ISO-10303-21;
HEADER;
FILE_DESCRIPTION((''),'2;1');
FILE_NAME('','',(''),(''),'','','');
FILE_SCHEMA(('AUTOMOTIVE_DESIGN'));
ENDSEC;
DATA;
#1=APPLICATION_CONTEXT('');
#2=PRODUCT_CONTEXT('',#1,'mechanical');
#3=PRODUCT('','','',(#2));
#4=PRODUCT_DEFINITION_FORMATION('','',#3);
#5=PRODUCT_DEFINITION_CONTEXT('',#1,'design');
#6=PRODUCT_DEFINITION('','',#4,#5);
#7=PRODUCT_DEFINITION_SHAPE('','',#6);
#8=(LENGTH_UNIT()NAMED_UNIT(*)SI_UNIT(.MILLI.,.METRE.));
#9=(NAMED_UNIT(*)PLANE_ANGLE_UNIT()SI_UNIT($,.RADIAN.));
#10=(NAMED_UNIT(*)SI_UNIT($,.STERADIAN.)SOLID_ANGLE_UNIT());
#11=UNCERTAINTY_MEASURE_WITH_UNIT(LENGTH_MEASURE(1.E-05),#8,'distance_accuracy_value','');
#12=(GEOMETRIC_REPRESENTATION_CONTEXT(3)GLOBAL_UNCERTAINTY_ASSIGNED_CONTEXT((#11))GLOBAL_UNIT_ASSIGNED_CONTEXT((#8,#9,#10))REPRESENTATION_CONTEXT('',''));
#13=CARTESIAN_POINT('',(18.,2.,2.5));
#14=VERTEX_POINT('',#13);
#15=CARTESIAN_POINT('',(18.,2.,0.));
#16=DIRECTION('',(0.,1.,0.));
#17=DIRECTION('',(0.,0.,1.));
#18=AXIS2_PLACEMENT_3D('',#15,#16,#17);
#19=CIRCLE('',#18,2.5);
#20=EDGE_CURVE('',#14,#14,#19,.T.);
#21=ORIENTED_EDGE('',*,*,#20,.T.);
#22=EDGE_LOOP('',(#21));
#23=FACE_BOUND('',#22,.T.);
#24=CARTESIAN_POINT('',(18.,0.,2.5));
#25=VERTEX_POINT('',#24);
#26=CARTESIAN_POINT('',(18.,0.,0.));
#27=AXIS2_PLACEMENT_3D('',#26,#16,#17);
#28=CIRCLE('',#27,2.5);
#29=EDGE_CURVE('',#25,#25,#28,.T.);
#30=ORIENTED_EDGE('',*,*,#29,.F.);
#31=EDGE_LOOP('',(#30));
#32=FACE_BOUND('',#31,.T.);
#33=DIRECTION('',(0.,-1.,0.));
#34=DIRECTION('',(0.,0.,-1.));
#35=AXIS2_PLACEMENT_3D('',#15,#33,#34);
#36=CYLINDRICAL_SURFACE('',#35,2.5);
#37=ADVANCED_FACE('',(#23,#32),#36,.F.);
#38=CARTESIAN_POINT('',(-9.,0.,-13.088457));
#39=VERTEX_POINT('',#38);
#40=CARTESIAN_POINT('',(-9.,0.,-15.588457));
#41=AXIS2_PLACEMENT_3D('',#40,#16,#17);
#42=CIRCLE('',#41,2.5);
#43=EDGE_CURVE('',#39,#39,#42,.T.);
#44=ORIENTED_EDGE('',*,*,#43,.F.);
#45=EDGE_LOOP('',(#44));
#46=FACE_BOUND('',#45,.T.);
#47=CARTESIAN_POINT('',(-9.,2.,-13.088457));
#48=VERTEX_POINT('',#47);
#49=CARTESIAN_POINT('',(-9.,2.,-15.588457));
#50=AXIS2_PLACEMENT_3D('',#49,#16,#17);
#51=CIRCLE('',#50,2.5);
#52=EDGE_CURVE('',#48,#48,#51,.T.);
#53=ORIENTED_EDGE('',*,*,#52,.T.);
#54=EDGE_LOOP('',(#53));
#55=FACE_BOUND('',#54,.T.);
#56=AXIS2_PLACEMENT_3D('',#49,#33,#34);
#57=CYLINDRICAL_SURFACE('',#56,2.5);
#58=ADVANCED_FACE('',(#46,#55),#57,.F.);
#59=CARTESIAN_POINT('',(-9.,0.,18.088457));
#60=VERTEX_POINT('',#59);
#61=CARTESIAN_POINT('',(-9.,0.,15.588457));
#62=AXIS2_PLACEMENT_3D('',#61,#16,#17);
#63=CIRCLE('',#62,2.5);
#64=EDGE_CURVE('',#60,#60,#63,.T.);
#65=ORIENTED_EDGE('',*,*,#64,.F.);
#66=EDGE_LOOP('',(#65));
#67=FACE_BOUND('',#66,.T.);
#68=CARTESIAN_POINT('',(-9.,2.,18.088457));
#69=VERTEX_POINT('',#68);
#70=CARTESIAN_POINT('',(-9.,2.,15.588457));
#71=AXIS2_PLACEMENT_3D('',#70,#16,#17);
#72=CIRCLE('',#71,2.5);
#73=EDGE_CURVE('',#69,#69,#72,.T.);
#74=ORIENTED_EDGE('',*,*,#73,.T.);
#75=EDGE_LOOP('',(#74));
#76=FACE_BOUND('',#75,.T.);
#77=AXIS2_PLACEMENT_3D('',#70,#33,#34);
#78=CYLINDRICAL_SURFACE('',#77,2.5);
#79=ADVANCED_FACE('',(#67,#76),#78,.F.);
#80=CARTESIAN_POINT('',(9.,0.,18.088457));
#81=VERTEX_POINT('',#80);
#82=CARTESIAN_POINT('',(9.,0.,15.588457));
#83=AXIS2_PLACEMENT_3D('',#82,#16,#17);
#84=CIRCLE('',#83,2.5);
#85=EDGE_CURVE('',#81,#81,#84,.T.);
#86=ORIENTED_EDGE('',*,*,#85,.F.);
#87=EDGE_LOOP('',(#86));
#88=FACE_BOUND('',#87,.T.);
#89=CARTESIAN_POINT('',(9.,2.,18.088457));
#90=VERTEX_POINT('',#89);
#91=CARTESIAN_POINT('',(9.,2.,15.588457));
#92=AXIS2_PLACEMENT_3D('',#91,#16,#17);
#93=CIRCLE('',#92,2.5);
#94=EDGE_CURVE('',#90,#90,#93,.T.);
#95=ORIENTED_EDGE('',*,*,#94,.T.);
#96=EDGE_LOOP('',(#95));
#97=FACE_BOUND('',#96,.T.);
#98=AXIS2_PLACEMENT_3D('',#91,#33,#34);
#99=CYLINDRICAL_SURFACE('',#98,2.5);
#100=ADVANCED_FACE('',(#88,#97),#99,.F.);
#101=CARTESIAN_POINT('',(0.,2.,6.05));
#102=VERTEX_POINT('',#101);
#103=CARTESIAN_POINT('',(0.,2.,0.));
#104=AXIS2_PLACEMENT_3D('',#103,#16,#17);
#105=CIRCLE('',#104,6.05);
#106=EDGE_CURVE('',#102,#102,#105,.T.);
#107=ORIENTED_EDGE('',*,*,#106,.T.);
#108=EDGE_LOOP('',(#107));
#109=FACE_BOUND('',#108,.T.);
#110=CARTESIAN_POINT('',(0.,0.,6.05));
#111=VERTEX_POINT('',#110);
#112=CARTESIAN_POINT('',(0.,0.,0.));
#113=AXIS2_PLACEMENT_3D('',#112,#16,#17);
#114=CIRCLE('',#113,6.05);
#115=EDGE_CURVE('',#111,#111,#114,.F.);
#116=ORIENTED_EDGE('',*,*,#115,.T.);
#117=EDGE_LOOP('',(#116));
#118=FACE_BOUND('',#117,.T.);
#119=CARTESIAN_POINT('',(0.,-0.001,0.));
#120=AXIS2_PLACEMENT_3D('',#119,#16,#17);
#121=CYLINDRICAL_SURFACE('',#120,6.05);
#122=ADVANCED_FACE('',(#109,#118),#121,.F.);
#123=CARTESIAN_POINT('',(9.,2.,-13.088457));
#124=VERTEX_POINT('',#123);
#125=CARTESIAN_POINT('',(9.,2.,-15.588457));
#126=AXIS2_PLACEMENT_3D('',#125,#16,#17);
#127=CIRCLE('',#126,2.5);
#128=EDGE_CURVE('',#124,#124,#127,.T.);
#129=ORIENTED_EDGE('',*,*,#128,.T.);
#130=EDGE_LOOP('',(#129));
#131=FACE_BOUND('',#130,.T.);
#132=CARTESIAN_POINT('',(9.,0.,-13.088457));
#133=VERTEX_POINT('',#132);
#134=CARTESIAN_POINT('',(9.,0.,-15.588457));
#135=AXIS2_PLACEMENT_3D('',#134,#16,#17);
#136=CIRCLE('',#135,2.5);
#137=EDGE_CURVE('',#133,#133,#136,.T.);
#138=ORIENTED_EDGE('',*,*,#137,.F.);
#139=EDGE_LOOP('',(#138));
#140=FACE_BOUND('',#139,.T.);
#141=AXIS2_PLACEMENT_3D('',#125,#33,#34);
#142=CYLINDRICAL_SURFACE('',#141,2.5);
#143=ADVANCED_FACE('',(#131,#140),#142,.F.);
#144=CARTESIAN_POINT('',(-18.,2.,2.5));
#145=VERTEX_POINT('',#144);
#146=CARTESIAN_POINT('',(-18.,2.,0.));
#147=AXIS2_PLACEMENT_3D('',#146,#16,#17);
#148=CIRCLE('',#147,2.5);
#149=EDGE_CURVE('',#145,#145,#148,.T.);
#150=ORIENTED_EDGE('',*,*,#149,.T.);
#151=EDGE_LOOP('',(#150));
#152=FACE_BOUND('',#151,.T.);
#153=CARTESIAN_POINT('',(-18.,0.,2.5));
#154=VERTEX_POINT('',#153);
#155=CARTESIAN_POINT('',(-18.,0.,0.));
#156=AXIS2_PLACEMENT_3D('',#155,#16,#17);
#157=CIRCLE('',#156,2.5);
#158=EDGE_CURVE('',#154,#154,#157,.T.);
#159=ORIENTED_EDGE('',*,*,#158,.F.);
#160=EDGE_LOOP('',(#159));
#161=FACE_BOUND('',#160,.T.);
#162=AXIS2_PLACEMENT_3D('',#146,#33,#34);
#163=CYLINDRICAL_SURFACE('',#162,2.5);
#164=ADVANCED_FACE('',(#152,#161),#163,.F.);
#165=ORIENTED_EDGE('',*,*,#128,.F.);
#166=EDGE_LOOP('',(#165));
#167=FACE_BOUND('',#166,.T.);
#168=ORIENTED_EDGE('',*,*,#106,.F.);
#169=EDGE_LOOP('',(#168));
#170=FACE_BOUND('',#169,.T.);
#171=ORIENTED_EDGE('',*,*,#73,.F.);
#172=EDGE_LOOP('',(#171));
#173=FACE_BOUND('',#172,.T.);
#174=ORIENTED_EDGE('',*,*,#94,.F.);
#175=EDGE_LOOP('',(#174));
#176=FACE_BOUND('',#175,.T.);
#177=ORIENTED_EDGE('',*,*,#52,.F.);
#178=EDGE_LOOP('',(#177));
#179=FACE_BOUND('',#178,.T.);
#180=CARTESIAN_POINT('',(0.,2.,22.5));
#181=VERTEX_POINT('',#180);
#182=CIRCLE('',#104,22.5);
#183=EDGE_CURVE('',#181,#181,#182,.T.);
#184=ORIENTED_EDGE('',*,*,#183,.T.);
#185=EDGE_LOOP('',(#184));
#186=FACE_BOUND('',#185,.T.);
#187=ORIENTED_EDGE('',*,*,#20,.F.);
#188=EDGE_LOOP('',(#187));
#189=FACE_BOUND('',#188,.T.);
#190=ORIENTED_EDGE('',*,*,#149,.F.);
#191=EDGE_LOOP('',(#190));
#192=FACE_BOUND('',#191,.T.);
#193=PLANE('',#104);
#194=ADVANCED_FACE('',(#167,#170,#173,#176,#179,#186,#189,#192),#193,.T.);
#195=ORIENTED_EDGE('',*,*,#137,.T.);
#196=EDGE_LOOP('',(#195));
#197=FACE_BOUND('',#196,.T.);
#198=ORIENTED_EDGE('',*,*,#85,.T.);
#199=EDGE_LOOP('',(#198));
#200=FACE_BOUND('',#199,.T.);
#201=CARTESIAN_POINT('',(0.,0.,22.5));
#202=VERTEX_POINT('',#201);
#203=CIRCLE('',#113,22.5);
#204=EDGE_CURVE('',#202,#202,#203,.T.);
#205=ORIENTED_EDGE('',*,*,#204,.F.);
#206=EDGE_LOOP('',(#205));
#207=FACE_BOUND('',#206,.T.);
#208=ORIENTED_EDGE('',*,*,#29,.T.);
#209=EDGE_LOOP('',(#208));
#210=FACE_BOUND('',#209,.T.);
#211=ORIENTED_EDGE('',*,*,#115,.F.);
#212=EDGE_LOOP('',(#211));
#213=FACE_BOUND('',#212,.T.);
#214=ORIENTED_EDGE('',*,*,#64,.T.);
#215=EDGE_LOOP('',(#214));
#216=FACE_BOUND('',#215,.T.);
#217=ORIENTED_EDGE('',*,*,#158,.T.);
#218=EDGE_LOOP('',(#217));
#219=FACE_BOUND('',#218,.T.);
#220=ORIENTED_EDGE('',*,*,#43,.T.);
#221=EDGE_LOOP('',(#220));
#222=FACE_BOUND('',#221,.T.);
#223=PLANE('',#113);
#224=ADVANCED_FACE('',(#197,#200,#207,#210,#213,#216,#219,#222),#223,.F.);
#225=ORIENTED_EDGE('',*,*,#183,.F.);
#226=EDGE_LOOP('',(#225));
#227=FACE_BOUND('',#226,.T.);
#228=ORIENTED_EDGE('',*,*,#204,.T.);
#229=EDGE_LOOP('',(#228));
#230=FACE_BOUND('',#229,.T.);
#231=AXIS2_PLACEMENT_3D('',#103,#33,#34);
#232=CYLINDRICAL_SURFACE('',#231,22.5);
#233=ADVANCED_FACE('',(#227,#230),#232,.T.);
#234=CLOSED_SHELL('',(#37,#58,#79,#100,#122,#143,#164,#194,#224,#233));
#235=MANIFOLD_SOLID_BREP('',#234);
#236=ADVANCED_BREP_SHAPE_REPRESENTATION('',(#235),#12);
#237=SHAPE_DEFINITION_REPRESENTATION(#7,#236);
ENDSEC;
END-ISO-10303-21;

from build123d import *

# Parameters (mm, degrees)
SKETCH2_R           = 22.5
SKETCH2_R_2         = 2.5
BOSS_EXTRUDE1_DEPTH = 2
CUT_EXTRUDE1_REACH  = 33.883
SKETCH3_R           = 6.05


with BuildPart() as part:
    # Sketch2 → Boss-Extrude1 (new body)
    with BuildSketch(Plane(origin=(0, 0, 0), x_dir=(1, 0, 0), z_dir=(0, 1, 0))):
        with Locations(Location((0, 0, 0), (0, 0, 270))):
            Circle(SKETCH2_R)
        with Locations(Location((-18, 0, 0), (0, 0, 270))):
            Circle(SKETCH2_R_2, mode=Mode.SUBTRACT)
        with Locations(Location((-9, 15.588457268, 0), (0, 0, 270))):
            Circle(SKETCH2_R_2, mode=Mode.SUBTRACT)
        with Locations(Location((9, 15.588457268, 0), (0, 0, 270))):
            Circle(SKETCH2_R_2, mode=Mode.SUBTRACT)
        with Locations(Location((18, 0, 0), (0, 0, 270))):
            Circle(SKETCH2_R_2, mode=Mode.SUBTRACT)
        with Locations(Location((9, -15.588457268, 0), (0, 0, 270))):
            Circle(SKETCH2_R_2, mode=Mode.SUBTRACT)
        with Locations(Location((-9, -15.588457268, 0), (0, 0, 270))):
            Circle(SKETCH2_R_2, mode=Mode.SUBTRACT)
    extrude(amount=BOSS_EXTRUDE1_DEPTH)

    # Sketch3 → Cut-Extrude1 (cut, up to next)
    with BuildSketch(Plane(origin=(0, 2, 0), x_dir=(1, 0, 0), z_dir=(0, 1, 0)), mode=Mode.PRIVATE) as cut_extrude1_sk1:
        with Locations(Location((0, 0, 0), (0, 0, 270))):
            Circle(SKETCH3_R)
    cut_extrude1_tool1 = extrude(cut_extrude1_sk1.sketch, amount=-CUT_EXTRUDE1_REACH, mode=Mode.PRIVATE) & part.part
    add(cut_extrude1_tool1.solids().sort_by_distance((0, 2, 0))[0], mode=Mode.SUBTRACT)


solid = part.part
